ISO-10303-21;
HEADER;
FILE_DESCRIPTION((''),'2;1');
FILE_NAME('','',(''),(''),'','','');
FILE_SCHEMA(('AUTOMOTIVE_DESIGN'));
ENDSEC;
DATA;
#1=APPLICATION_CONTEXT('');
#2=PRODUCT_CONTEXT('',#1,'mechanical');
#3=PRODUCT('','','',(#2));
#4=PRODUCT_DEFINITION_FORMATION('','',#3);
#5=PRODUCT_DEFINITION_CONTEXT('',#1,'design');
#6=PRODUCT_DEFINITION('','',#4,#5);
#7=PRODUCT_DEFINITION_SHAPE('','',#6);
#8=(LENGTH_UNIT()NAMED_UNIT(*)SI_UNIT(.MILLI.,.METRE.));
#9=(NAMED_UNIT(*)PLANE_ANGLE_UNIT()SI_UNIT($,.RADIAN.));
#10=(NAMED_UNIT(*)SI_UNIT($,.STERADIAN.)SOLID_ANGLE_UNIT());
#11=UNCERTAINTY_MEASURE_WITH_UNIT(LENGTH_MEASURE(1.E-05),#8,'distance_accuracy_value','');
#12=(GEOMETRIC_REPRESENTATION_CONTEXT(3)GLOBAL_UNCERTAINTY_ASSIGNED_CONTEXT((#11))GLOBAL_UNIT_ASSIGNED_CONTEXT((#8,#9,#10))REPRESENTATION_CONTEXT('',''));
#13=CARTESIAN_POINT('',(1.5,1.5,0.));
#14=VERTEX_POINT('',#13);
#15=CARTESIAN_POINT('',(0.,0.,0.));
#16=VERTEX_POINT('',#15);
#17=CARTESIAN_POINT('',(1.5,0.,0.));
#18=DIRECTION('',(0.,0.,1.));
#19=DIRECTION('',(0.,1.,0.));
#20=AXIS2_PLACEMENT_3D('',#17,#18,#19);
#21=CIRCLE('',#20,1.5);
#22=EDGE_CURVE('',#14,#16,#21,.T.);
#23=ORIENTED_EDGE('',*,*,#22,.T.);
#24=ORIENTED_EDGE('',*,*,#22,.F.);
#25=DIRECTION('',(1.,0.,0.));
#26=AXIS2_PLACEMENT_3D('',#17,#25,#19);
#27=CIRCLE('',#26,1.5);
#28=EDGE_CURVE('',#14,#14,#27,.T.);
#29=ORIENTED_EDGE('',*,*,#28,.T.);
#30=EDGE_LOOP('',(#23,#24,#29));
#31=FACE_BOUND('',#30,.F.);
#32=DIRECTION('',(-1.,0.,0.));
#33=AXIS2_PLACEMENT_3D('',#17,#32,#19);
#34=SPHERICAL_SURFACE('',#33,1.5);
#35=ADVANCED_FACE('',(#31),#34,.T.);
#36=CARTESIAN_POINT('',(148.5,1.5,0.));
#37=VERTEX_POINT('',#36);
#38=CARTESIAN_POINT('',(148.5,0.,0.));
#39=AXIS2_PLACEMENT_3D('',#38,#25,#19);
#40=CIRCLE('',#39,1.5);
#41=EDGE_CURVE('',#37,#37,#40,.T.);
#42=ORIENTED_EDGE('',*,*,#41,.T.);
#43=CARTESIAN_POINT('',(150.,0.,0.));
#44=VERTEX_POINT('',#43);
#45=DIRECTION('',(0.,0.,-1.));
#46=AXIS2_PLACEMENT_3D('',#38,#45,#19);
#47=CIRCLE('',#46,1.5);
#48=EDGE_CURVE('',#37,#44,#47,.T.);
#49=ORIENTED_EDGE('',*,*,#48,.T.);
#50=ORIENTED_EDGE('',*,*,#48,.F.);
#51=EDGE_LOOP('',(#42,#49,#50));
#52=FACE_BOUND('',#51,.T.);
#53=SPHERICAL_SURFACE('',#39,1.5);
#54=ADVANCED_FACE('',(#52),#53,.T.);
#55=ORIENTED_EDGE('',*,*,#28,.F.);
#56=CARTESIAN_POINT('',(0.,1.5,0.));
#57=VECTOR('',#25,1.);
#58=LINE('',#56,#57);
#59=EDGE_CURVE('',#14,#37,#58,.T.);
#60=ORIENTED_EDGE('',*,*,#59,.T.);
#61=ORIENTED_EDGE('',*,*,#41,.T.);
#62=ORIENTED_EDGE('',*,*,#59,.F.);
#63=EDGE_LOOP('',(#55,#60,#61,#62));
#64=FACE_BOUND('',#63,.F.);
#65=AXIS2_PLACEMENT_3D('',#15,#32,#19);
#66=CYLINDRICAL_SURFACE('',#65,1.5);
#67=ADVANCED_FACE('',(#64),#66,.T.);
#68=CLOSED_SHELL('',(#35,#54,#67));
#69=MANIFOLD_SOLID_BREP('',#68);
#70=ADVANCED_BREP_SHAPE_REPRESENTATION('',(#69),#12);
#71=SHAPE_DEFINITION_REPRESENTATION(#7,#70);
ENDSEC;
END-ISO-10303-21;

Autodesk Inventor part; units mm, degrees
ref_plane "YZ Plane" through (0, 0, 0) normal (1, 0, 0) x (0, 1, 0)
ref_plane "XZ Plane" through (0, 0, 0) normal (0, 1, 0) x (-1, 0, 0)
ref_plane "XY Plane" through (0, 0, 0) normal (0, 0, 1) x (1, 0, 0)
sketch "Sketch1" plane through (0, 0, 0) normal (1, 0, 0) x (0, 1, 0)
  circle A0 centre (0, 0) radius 1.5
  dimension "d0" = 3
extrude "Extrusion1" add sketch "Sketch1" along normal blind 150
fillet "Fillet1" radius 1.5 2 edges at (0, -1.5, 0) (150, -1.5, 0)
properties part number "Heat Pipe 150 mm" material "Copper"
